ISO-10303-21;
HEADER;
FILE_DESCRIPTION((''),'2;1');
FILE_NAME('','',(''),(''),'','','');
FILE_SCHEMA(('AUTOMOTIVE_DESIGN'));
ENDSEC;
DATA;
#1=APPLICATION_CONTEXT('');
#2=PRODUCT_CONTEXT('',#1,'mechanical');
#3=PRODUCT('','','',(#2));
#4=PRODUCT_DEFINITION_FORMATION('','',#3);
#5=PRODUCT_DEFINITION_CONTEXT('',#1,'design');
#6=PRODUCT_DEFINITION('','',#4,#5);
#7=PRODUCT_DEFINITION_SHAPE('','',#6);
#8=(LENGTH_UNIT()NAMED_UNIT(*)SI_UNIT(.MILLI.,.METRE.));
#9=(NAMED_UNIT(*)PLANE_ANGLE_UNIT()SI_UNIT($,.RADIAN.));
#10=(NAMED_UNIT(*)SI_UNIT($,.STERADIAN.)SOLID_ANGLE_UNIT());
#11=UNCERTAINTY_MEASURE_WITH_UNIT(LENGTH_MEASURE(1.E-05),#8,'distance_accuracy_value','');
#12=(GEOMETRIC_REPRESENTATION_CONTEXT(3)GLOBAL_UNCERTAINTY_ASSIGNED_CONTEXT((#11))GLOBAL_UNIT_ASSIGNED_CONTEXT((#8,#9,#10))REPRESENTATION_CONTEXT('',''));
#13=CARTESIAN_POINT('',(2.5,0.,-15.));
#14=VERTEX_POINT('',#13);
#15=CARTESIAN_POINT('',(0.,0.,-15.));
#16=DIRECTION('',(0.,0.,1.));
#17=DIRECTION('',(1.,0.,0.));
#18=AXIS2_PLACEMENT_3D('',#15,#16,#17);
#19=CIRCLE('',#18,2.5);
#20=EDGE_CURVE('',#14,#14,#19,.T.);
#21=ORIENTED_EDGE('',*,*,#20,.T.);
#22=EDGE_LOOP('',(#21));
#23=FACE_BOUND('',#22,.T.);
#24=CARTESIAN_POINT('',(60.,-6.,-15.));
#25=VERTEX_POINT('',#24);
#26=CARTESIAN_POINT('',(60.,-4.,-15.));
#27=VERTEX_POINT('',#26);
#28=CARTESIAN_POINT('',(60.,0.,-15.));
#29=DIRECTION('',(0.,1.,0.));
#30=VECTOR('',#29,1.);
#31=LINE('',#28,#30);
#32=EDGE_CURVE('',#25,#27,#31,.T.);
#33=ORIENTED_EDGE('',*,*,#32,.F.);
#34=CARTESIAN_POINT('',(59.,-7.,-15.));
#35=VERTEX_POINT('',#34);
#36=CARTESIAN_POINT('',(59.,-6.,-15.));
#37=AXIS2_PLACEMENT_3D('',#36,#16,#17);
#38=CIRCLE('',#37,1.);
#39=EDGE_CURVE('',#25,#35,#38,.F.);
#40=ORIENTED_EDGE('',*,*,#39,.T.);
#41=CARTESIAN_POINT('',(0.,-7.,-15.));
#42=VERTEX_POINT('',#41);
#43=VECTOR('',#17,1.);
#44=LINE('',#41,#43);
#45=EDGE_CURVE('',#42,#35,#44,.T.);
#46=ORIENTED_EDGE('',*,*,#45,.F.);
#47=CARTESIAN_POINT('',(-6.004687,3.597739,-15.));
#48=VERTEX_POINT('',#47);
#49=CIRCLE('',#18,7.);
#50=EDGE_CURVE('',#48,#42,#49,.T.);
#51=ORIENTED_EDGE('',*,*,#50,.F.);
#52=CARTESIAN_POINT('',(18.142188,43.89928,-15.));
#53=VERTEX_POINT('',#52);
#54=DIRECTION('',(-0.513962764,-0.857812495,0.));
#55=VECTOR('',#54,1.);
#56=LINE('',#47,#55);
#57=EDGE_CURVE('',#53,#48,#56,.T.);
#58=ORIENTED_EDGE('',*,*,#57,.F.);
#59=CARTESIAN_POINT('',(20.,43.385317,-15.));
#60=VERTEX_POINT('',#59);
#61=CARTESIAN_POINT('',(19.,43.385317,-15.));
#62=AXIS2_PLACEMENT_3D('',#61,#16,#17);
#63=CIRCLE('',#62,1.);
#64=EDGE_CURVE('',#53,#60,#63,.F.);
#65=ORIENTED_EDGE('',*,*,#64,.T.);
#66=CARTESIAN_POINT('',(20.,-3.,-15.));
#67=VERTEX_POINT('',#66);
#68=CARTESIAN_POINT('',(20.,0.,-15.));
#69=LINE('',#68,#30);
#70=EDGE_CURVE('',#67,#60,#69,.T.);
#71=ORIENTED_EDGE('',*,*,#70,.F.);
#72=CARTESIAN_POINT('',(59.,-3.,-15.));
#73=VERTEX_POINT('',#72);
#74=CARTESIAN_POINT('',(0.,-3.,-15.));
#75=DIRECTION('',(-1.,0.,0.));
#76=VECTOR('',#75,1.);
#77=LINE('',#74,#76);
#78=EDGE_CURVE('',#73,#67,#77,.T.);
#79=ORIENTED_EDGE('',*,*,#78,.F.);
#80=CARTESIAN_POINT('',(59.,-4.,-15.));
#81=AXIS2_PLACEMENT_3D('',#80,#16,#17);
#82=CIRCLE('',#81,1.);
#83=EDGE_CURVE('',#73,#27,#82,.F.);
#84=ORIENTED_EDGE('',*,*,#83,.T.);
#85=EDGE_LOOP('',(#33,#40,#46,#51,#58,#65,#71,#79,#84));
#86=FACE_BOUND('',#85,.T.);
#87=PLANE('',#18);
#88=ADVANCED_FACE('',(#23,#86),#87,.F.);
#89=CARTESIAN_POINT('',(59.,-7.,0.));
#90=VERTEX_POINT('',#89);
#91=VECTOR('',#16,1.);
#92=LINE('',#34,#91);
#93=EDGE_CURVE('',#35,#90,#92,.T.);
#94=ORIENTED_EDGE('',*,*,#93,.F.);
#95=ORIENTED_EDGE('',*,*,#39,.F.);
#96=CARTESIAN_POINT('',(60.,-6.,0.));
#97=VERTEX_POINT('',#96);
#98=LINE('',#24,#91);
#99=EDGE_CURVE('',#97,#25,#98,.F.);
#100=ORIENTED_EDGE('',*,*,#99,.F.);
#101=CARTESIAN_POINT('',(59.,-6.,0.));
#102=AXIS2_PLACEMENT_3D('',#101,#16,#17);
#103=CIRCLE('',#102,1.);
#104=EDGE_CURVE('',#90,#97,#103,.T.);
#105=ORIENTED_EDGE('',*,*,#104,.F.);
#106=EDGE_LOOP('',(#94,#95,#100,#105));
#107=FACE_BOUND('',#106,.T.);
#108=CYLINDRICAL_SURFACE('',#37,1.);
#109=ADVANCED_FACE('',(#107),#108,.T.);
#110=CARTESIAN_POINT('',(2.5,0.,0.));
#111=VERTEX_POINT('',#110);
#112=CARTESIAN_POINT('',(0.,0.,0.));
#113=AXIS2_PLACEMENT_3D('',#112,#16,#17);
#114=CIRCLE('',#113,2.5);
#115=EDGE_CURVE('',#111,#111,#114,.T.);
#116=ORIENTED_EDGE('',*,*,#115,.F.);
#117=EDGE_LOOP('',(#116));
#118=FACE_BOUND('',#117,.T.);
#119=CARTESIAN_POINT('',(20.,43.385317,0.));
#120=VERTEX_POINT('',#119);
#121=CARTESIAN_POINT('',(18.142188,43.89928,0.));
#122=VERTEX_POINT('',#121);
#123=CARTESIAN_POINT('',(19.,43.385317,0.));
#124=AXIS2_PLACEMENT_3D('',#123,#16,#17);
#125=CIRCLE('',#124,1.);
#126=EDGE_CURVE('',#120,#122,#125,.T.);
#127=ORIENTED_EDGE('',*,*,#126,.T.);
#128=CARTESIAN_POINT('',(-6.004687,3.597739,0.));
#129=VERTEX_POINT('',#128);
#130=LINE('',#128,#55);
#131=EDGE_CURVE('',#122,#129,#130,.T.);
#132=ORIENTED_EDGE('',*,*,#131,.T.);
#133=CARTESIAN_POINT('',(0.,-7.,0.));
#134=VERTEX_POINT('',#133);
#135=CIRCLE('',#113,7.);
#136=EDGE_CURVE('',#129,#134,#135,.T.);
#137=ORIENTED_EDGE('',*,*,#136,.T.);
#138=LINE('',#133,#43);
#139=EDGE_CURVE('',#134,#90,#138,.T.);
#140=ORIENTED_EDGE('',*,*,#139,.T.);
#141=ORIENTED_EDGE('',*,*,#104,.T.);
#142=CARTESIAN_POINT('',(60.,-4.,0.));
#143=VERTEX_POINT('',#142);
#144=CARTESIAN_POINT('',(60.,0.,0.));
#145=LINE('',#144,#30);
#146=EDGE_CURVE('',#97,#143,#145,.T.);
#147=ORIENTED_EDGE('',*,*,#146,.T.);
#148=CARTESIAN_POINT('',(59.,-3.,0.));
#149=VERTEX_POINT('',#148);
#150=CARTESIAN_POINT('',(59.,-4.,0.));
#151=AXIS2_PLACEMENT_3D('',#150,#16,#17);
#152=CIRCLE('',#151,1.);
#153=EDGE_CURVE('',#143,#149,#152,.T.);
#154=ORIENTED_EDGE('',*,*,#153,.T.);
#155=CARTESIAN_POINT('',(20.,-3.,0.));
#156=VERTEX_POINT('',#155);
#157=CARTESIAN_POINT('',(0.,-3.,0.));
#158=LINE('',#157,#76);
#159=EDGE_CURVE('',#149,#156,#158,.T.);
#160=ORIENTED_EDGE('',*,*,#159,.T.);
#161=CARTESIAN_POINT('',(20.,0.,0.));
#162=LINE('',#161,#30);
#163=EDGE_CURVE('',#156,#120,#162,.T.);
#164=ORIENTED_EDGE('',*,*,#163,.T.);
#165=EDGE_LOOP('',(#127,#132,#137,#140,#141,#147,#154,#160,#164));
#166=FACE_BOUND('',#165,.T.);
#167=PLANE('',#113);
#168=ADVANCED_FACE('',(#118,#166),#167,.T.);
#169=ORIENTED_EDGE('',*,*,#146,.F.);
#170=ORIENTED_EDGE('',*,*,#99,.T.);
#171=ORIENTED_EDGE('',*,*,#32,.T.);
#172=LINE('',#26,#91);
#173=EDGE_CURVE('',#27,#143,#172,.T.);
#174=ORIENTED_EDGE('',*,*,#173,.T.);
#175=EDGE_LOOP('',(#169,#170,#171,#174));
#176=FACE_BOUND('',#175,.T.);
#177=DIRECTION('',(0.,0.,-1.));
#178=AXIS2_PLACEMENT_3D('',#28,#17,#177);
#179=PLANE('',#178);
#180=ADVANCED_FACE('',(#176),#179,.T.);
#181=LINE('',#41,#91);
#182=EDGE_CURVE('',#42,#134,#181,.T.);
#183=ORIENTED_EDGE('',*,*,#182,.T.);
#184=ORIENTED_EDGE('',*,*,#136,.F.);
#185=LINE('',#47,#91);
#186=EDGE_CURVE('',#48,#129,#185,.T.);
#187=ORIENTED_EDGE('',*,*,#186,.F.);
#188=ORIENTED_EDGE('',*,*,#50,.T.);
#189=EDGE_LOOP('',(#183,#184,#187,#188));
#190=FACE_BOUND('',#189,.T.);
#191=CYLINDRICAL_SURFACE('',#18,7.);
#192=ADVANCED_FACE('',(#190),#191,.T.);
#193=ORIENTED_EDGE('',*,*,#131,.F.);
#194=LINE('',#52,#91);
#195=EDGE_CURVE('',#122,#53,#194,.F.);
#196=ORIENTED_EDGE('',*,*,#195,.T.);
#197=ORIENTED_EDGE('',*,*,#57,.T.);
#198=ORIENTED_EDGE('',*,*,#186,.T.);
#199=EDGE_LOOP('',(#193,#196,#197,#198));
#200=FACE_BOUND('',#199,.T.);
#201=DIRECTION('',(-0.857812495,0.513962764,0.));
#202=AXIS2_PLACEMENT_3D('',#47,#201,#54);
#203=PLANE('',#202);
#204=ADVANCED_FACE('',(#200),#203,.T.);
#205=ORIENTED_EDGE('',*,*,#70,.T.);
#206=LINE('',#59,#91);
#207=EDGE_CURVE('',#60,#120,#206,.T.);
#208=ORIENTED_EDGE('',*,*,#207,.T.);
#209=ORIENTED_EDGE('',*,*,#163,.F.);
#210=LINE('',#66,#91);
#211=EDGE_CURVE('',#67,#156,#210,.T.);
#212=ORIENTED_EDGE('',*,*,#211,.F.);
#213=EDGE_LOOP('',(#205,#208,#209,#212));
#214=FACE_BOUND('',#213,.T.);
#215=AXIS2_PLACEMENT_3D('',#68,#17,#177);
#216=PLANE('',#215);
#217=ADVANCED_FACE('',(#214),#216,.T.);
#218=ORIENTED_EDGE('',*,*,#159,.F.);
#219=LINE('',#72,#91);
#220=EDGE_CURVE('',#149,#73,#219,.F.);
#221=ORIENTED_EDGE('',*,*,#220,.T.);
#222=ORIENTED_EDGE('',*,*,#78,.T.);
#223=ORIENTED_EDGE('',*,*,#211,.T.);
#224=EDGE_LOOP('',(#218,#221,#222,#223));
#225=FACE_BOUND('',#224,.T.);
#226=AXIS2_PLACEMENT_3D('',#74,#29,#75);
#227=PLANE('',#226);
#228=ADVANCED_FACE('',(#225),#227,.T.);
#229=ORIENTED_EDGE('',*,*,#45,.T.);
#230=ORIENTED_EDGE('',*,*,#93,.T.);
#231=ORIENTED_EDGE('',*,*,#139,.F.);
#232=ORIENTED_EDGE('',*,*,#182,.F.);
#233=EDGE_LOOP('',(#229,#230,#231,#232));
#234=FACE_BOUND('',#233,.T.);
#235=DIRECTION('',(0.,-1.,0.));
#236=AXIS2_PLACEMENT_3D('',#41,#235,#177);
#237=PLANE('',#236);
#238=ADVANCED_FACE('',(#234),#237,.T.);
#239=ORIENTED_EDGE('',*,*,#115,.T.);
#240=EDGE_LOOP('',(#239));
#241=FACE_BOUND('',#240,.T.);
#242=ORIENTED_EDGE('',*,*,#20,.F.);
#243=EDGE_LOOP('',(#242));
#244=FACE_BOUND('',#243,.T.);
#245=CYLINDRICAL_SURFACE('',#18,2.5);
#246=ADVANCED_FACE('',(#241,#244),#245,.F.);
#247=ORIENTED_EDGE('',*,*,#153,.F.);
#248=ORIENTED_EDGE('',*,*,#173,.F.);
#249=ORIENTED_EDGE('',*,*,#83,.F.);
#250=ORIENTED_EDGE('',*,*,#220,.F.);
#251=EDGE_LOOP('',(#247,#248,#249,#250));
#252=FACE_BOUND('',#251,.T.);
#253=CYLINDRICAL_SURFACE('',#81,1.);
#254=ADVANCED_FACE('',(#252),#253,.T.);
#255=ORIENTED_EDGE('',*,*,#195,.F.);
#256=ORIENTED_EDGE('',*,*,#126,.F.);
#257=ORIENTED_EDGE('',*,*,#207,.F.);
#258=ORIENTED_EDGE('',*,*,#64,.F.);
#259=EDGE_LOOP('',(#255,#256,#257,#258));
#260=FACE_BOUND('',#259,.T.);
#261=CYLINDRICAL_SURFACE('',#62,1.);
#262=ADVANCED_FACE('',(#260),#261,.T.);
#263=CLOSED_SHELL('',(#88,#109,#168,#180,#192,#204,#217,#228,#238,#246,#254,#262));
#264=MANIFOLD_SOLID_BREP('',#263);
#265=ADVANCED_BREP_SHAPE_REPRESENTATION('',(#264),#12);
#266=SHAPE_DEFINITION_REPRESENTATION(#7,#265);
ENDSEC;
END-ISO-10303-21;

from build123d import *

# Parameters (mm, degrees)
ESQUISSE1_R        = 2.5
BOSS_EXTRU_1_DEPTH = 15
CONG_1_R           = 1


with BuildPart() as part:
    # Esquisse1 → Boss.-Extru.1 (new body)
    with BuildSketch(Plane.XY):
        with BuildLine():
            Line((20, -3), (20, 47))
            Line((20, 47), (-6.004687468, 3.597739348))
            ThreePointArc((-6.004687468, 3.597739348), (-6.09032739, -3.4507843), (0, -7))
            Line((0, -7), (60, -7))
            Line((60, -7), (60, -3))
            Line((60, -3), (20, -3))
        make_face()
        Circle(ESQUISSE1_R, mode=Mode.SUBTRACT)
    extrude(amount=-BOSS_EXTRU_1_DEPTH)

    # Congé1
    cong_1_edges = [part.edges().sort_by_distance(p)[0] for p in [
        (60, -3, -7.5),
        (60, -7, -7.5),
        (20, 47, -7.5),
    ]]
    fillet(cong_1_edges, radius=CONG_1_R)


solid = part.part
